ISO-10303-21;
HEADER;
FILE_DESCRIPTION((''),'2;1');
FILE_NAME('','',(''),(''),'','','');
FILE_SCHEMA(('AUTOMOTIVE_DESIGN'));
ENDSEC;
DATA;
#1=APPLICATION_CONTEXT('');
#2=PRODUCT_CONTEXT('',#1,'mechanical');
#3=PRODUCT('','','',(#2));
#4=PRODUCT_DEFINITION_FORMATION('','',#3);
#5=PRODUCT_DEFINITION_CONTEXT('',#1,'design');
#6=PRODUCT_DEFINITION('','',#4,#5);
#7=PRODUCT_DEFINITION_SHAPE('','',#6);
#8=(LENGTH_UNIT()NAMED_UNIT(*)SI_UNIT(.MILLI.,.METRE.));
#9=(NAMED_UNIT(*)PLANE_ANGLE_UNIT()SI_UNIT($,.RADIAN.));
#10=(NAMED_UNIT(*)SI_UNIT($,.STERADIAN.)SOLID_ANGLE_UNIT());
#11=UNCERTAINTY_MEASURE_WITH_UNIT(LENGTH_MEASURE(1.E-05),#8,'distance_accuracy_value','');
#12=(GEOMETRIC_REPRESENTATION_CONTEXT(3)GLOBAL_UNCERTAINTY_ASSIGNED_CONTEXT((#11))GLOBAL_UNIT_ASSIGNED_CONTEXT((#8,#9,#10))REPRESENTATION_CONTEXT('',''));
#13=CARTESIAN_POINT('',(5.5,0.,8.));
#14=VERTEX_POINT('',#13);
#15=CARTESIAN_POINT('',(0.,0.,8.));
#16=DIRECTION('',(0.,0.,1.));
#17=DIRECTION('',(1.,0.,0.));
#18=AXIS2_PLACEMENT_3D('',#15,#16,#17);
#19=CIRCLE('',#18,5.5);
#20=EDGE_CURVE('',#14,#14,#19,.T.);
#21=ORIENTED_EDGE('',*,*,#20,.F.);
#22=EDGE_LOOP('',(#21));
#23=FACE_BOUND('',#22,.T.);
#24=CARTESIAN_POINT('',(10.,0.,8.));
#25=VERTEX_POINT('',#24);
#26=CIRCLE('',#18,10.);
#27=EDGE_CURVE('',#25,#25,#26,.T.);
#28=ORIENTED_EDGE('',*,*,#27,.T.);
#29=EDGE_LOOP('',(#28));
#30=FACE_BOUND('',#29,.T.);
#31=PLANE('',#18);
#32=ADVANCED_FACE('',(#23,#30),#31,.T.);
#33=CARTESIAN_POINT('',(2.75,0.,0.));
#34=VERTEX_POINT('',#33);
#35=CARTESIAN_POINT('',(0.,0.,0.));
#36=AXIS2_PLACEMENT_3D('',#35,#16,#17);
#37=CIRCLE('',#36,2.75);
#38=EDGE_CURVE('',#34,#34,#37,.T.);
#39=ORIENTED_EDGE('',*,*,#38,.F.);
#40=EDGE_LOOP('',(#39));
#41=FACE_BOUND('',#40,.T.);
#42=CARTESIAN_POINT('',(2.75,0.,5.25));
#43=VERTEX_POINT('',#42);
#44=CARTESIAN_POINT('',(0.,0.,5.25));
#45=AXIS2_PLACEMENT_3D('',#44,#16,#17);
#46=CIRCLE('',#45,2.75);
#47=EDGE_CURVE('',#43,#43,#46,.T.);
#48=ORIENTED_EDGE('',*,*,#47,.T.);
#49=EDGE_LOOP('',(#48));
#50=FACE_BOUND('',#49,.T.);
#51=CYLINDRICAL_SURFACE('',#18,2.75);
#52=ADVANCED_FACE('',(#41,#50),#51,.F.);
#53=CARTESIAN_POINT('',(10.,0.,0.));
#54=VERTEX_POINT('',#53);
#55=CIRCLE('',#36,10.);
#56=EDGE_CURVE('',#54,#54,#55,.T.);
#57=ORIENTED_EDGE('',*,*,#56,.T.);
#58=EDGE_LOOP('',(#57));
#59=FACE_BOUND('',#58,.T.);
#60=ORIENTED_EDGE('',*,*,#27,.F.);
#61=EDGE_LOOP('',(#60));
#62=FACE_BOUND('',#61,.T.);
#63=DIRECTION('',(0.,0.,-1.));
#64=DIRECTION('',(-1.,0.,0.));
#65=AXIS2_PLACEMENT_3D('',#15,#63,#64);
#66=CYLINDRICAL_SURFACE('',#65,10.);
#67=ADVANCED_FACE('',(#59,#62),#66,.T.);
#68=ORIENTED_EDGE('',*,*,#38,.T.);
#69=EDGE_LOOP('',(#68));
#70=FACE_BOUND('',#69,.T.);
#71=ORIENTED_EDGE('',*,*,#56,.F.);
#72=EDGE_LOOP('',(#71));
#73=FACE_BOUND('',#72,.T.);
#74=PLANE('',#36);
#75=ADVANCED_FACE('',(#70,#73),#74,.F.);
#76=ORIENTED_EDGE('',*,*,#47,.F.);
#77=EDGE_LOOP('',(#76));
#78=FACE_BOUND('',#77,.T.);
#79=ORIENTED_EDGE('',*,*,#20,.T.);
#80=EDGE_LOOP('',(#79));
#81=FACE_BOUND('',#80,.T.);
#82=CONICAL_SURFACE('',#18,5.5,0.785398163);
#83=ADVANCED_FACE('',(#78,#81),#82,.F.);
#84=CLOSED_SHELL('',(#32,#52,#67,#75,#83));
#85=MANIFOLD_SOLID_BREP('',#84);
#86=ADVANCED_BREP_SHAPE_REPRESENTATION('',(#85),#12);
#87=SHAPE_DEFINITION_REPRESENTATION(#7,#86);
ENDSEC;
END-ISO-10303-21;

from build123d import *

# Parameters (mm, degrees)
SKETCH_1_R                = 10
EXTRUDE_1_DEPTH           = 8
HOLE_WIZARD_1_D           = 5.5
HOLE_WIZARD_1_DEPTH       = 10.1
HOLE_WIZARD_1_CSINK_D     = 11
HOLE_WIZARD_1_CSINK_ANGLE = 90
HOLE_WIZARD_1_TIP         = 1.652366702


with BuildPart() as part:
    # 草图1 → 凸台-拉伸1 (new body)
    with BuildSketch(Plane.XY):
        Circle(SKETCH_1_R)
    extrude(amount=EXTRUDE_1_DEPTH)

    # 打孔尺寸(%根据)内六角花形沉头螺钉的类型1
    with Locations(Plane.XY.offset(8)):
        with Locations((0, 0)):
            CounterSinkHole(HOLE_WIZARD_1_D / 2, HOLE_WIZARD_1_CSINK_D / 2, depth=HOLE_WIZARD_1_DEPTH, counter_sink_angle=HOLE_WIZARD_1_CSINK_ANGLE)
            with Locations((0, 0, -(HOLE_WIZARD_1_DEPTH + HOLE_WIZARD_1_TIP / 2))):  # 118° drill point
                Cone(0, HOLE_WIZARD_1_D / 2, HOLE_WIZARD_1_TIP, mode=Mode.SUBTRACT)


solid = part.part
